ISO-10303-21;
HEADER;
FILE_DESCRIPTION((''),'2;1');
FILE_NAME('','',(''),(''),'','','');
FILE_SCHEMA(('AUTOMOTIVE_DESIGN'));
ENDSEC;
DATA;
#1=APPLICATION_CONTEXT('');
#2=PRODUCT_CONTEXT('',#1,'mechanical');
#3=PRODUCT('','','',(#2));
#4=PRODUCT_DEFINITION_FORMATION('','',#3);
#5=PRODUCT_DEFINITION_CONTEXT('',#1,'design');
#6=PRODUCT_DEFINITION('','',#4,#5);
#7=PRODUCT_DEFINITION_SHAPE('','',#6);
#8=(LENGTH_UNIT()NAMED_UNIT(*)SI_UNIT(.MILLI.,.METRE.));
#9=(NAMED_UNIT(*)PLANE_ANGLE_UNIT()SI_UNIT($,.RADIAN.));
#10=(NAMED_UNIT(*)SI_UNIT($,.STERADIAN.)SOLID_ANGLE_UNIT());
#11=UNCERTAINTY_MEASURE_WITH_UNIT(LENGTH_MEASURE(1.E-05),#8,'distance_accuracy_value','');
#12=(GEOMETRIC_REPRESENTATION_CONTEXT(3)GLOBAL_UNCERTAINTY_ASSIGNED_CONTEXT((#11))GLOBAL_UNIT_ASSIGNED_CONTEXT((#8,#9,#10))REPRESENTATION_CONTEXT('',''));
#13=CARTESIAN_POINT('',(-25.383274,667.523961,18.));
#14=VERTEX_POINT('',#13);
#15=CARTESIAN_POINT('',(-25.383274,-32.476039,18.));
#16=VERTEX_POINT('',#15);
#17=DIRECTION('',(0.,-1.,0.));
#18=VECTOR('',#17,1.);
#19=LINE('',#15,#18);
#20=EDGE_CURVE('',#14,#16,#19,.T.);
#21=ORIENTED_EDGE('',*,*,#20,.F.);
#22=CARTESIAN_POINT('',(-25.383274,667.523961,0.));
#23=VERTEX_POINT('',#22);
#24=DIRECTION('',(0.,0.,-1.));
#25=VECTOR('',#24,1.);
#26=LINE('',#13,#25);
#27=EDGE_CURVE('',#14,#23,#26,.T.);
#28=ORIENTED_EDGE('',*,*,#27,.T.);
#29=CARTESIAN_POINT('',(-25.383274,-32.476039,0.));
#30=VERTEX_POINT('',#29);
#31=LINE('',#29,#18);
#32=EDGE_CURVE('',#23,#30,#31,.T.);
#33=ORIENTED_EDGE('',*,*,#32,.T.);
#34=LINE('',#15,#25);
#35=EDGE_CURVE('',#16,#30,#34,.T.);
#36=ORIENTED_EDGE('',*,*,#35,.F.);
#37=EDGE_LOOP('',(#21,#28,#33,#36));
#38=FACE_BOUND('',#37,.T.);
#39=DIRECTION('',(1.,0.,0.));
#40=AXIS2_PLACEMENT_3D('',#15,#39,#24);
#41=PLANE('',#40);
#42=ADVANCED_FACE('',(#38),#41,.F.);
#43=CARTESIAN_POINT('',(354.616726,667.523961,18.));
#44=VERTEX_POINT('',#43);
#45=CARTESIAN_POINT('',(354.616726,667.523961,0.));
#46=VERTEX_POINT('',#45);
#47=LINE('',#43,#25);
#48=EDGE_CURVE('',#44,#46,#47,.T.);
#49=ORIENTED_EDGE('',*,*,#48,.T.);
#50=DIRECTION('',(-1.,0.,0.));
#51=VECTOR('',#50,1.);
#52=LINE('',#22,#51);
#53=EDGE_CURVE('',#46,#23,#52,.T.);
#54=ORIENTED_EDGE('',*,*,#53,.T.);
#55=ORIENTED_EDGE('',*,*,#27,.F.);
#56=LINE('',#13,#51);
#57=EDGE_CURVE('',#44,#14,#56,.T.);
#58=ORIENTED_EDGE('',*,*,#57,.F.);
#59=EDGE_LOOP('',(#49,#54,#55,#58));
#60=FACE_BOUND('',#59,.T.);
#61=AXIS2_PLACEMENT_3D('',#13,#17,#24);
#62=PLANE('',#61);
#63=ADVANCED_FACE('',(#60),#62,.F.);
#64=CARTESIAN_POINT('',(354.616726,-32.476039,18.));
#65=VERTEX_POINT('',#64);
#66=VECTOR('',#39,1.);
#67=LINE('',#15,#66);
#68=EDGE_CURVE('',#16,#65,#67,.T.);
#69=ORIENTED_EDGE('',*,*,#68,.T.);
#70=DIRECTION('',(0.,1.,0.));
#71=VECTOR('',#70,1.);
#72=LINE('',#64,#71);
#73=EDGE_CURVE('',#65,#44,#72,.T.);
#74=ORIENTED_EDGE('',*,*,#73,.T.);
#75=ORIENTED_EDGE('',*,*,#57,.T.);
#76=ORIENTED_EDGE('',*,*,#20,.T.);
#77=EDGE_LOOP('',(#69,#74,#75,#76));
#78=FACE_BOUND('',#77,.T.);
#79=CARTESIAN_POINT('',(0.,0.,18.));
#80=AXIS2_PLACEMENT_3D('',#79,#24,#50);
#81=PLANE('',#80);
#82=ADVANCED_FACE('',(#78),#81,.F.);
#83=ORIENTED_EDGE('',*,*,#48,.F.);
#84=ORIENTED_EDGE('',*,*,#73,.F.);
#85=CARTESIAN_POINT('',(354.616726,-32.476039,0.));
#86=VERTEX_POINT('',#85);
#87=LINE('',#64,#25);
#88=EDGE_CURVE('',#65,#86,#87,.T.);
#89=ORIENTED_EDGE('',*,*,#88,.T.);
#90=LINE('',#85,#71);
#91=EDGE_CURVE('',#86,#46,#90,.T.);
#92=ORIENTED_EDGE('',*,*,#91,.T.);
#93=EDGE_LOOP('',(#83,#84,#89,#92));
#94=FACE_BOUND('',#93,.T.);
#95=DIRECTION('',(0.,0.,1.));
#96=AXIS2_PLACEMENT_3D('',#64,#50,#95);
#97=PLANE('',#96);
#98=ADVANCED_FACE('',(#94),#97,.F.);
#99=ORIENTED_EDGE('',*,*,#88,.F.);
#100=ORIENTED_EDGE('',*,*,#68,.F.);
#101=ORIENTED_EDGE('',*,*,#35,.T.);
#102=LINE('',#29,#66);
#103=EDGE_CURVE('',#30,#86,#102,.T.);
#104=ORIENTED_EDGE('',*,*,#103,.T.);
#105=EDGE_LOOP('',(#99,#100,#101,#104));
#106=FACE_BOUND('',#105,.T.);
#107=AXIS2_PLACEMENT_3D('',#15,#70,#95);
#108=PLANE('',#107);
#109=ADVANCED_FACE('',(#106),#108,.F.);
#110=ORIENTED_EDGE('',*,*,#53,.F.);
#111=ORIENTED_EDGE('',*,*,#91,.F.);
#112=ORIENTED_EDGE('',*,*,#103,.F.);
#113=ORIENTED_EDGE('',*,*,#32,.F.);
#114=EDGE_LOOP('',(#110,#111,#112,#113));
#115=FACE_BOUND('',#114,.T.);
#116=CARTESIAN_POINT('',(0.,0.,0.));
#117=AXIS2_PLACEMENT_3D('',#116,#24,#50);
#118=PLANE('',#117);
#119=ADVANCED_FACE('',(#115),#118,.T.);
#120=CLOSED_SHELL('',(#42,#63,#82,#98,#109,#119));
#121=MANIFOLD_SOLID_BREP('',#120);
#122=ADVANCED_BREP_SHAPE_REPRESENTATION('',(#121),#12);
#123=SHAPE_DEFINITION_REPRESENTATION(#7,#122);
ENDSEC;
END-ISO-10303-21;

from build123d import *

# Parameters (mm, degrees)
SKETCH1_W           = 380
SKETCH1_H           = 700
BOSS_EXTRUDE1_DEPTH = 18


with BuildPart() as part:
    # Sketch1 → Boss-Extrude1 (new body)
    with BuildSketch(Plane.XY):
        with Locations((164.616725706, 317.523961047)):
            Rectangle(SKETCH1_W, SKETCH1_H)
    extrude(amount=BOSS_EXTRUDE1_DEPTH)


solid = part.part
